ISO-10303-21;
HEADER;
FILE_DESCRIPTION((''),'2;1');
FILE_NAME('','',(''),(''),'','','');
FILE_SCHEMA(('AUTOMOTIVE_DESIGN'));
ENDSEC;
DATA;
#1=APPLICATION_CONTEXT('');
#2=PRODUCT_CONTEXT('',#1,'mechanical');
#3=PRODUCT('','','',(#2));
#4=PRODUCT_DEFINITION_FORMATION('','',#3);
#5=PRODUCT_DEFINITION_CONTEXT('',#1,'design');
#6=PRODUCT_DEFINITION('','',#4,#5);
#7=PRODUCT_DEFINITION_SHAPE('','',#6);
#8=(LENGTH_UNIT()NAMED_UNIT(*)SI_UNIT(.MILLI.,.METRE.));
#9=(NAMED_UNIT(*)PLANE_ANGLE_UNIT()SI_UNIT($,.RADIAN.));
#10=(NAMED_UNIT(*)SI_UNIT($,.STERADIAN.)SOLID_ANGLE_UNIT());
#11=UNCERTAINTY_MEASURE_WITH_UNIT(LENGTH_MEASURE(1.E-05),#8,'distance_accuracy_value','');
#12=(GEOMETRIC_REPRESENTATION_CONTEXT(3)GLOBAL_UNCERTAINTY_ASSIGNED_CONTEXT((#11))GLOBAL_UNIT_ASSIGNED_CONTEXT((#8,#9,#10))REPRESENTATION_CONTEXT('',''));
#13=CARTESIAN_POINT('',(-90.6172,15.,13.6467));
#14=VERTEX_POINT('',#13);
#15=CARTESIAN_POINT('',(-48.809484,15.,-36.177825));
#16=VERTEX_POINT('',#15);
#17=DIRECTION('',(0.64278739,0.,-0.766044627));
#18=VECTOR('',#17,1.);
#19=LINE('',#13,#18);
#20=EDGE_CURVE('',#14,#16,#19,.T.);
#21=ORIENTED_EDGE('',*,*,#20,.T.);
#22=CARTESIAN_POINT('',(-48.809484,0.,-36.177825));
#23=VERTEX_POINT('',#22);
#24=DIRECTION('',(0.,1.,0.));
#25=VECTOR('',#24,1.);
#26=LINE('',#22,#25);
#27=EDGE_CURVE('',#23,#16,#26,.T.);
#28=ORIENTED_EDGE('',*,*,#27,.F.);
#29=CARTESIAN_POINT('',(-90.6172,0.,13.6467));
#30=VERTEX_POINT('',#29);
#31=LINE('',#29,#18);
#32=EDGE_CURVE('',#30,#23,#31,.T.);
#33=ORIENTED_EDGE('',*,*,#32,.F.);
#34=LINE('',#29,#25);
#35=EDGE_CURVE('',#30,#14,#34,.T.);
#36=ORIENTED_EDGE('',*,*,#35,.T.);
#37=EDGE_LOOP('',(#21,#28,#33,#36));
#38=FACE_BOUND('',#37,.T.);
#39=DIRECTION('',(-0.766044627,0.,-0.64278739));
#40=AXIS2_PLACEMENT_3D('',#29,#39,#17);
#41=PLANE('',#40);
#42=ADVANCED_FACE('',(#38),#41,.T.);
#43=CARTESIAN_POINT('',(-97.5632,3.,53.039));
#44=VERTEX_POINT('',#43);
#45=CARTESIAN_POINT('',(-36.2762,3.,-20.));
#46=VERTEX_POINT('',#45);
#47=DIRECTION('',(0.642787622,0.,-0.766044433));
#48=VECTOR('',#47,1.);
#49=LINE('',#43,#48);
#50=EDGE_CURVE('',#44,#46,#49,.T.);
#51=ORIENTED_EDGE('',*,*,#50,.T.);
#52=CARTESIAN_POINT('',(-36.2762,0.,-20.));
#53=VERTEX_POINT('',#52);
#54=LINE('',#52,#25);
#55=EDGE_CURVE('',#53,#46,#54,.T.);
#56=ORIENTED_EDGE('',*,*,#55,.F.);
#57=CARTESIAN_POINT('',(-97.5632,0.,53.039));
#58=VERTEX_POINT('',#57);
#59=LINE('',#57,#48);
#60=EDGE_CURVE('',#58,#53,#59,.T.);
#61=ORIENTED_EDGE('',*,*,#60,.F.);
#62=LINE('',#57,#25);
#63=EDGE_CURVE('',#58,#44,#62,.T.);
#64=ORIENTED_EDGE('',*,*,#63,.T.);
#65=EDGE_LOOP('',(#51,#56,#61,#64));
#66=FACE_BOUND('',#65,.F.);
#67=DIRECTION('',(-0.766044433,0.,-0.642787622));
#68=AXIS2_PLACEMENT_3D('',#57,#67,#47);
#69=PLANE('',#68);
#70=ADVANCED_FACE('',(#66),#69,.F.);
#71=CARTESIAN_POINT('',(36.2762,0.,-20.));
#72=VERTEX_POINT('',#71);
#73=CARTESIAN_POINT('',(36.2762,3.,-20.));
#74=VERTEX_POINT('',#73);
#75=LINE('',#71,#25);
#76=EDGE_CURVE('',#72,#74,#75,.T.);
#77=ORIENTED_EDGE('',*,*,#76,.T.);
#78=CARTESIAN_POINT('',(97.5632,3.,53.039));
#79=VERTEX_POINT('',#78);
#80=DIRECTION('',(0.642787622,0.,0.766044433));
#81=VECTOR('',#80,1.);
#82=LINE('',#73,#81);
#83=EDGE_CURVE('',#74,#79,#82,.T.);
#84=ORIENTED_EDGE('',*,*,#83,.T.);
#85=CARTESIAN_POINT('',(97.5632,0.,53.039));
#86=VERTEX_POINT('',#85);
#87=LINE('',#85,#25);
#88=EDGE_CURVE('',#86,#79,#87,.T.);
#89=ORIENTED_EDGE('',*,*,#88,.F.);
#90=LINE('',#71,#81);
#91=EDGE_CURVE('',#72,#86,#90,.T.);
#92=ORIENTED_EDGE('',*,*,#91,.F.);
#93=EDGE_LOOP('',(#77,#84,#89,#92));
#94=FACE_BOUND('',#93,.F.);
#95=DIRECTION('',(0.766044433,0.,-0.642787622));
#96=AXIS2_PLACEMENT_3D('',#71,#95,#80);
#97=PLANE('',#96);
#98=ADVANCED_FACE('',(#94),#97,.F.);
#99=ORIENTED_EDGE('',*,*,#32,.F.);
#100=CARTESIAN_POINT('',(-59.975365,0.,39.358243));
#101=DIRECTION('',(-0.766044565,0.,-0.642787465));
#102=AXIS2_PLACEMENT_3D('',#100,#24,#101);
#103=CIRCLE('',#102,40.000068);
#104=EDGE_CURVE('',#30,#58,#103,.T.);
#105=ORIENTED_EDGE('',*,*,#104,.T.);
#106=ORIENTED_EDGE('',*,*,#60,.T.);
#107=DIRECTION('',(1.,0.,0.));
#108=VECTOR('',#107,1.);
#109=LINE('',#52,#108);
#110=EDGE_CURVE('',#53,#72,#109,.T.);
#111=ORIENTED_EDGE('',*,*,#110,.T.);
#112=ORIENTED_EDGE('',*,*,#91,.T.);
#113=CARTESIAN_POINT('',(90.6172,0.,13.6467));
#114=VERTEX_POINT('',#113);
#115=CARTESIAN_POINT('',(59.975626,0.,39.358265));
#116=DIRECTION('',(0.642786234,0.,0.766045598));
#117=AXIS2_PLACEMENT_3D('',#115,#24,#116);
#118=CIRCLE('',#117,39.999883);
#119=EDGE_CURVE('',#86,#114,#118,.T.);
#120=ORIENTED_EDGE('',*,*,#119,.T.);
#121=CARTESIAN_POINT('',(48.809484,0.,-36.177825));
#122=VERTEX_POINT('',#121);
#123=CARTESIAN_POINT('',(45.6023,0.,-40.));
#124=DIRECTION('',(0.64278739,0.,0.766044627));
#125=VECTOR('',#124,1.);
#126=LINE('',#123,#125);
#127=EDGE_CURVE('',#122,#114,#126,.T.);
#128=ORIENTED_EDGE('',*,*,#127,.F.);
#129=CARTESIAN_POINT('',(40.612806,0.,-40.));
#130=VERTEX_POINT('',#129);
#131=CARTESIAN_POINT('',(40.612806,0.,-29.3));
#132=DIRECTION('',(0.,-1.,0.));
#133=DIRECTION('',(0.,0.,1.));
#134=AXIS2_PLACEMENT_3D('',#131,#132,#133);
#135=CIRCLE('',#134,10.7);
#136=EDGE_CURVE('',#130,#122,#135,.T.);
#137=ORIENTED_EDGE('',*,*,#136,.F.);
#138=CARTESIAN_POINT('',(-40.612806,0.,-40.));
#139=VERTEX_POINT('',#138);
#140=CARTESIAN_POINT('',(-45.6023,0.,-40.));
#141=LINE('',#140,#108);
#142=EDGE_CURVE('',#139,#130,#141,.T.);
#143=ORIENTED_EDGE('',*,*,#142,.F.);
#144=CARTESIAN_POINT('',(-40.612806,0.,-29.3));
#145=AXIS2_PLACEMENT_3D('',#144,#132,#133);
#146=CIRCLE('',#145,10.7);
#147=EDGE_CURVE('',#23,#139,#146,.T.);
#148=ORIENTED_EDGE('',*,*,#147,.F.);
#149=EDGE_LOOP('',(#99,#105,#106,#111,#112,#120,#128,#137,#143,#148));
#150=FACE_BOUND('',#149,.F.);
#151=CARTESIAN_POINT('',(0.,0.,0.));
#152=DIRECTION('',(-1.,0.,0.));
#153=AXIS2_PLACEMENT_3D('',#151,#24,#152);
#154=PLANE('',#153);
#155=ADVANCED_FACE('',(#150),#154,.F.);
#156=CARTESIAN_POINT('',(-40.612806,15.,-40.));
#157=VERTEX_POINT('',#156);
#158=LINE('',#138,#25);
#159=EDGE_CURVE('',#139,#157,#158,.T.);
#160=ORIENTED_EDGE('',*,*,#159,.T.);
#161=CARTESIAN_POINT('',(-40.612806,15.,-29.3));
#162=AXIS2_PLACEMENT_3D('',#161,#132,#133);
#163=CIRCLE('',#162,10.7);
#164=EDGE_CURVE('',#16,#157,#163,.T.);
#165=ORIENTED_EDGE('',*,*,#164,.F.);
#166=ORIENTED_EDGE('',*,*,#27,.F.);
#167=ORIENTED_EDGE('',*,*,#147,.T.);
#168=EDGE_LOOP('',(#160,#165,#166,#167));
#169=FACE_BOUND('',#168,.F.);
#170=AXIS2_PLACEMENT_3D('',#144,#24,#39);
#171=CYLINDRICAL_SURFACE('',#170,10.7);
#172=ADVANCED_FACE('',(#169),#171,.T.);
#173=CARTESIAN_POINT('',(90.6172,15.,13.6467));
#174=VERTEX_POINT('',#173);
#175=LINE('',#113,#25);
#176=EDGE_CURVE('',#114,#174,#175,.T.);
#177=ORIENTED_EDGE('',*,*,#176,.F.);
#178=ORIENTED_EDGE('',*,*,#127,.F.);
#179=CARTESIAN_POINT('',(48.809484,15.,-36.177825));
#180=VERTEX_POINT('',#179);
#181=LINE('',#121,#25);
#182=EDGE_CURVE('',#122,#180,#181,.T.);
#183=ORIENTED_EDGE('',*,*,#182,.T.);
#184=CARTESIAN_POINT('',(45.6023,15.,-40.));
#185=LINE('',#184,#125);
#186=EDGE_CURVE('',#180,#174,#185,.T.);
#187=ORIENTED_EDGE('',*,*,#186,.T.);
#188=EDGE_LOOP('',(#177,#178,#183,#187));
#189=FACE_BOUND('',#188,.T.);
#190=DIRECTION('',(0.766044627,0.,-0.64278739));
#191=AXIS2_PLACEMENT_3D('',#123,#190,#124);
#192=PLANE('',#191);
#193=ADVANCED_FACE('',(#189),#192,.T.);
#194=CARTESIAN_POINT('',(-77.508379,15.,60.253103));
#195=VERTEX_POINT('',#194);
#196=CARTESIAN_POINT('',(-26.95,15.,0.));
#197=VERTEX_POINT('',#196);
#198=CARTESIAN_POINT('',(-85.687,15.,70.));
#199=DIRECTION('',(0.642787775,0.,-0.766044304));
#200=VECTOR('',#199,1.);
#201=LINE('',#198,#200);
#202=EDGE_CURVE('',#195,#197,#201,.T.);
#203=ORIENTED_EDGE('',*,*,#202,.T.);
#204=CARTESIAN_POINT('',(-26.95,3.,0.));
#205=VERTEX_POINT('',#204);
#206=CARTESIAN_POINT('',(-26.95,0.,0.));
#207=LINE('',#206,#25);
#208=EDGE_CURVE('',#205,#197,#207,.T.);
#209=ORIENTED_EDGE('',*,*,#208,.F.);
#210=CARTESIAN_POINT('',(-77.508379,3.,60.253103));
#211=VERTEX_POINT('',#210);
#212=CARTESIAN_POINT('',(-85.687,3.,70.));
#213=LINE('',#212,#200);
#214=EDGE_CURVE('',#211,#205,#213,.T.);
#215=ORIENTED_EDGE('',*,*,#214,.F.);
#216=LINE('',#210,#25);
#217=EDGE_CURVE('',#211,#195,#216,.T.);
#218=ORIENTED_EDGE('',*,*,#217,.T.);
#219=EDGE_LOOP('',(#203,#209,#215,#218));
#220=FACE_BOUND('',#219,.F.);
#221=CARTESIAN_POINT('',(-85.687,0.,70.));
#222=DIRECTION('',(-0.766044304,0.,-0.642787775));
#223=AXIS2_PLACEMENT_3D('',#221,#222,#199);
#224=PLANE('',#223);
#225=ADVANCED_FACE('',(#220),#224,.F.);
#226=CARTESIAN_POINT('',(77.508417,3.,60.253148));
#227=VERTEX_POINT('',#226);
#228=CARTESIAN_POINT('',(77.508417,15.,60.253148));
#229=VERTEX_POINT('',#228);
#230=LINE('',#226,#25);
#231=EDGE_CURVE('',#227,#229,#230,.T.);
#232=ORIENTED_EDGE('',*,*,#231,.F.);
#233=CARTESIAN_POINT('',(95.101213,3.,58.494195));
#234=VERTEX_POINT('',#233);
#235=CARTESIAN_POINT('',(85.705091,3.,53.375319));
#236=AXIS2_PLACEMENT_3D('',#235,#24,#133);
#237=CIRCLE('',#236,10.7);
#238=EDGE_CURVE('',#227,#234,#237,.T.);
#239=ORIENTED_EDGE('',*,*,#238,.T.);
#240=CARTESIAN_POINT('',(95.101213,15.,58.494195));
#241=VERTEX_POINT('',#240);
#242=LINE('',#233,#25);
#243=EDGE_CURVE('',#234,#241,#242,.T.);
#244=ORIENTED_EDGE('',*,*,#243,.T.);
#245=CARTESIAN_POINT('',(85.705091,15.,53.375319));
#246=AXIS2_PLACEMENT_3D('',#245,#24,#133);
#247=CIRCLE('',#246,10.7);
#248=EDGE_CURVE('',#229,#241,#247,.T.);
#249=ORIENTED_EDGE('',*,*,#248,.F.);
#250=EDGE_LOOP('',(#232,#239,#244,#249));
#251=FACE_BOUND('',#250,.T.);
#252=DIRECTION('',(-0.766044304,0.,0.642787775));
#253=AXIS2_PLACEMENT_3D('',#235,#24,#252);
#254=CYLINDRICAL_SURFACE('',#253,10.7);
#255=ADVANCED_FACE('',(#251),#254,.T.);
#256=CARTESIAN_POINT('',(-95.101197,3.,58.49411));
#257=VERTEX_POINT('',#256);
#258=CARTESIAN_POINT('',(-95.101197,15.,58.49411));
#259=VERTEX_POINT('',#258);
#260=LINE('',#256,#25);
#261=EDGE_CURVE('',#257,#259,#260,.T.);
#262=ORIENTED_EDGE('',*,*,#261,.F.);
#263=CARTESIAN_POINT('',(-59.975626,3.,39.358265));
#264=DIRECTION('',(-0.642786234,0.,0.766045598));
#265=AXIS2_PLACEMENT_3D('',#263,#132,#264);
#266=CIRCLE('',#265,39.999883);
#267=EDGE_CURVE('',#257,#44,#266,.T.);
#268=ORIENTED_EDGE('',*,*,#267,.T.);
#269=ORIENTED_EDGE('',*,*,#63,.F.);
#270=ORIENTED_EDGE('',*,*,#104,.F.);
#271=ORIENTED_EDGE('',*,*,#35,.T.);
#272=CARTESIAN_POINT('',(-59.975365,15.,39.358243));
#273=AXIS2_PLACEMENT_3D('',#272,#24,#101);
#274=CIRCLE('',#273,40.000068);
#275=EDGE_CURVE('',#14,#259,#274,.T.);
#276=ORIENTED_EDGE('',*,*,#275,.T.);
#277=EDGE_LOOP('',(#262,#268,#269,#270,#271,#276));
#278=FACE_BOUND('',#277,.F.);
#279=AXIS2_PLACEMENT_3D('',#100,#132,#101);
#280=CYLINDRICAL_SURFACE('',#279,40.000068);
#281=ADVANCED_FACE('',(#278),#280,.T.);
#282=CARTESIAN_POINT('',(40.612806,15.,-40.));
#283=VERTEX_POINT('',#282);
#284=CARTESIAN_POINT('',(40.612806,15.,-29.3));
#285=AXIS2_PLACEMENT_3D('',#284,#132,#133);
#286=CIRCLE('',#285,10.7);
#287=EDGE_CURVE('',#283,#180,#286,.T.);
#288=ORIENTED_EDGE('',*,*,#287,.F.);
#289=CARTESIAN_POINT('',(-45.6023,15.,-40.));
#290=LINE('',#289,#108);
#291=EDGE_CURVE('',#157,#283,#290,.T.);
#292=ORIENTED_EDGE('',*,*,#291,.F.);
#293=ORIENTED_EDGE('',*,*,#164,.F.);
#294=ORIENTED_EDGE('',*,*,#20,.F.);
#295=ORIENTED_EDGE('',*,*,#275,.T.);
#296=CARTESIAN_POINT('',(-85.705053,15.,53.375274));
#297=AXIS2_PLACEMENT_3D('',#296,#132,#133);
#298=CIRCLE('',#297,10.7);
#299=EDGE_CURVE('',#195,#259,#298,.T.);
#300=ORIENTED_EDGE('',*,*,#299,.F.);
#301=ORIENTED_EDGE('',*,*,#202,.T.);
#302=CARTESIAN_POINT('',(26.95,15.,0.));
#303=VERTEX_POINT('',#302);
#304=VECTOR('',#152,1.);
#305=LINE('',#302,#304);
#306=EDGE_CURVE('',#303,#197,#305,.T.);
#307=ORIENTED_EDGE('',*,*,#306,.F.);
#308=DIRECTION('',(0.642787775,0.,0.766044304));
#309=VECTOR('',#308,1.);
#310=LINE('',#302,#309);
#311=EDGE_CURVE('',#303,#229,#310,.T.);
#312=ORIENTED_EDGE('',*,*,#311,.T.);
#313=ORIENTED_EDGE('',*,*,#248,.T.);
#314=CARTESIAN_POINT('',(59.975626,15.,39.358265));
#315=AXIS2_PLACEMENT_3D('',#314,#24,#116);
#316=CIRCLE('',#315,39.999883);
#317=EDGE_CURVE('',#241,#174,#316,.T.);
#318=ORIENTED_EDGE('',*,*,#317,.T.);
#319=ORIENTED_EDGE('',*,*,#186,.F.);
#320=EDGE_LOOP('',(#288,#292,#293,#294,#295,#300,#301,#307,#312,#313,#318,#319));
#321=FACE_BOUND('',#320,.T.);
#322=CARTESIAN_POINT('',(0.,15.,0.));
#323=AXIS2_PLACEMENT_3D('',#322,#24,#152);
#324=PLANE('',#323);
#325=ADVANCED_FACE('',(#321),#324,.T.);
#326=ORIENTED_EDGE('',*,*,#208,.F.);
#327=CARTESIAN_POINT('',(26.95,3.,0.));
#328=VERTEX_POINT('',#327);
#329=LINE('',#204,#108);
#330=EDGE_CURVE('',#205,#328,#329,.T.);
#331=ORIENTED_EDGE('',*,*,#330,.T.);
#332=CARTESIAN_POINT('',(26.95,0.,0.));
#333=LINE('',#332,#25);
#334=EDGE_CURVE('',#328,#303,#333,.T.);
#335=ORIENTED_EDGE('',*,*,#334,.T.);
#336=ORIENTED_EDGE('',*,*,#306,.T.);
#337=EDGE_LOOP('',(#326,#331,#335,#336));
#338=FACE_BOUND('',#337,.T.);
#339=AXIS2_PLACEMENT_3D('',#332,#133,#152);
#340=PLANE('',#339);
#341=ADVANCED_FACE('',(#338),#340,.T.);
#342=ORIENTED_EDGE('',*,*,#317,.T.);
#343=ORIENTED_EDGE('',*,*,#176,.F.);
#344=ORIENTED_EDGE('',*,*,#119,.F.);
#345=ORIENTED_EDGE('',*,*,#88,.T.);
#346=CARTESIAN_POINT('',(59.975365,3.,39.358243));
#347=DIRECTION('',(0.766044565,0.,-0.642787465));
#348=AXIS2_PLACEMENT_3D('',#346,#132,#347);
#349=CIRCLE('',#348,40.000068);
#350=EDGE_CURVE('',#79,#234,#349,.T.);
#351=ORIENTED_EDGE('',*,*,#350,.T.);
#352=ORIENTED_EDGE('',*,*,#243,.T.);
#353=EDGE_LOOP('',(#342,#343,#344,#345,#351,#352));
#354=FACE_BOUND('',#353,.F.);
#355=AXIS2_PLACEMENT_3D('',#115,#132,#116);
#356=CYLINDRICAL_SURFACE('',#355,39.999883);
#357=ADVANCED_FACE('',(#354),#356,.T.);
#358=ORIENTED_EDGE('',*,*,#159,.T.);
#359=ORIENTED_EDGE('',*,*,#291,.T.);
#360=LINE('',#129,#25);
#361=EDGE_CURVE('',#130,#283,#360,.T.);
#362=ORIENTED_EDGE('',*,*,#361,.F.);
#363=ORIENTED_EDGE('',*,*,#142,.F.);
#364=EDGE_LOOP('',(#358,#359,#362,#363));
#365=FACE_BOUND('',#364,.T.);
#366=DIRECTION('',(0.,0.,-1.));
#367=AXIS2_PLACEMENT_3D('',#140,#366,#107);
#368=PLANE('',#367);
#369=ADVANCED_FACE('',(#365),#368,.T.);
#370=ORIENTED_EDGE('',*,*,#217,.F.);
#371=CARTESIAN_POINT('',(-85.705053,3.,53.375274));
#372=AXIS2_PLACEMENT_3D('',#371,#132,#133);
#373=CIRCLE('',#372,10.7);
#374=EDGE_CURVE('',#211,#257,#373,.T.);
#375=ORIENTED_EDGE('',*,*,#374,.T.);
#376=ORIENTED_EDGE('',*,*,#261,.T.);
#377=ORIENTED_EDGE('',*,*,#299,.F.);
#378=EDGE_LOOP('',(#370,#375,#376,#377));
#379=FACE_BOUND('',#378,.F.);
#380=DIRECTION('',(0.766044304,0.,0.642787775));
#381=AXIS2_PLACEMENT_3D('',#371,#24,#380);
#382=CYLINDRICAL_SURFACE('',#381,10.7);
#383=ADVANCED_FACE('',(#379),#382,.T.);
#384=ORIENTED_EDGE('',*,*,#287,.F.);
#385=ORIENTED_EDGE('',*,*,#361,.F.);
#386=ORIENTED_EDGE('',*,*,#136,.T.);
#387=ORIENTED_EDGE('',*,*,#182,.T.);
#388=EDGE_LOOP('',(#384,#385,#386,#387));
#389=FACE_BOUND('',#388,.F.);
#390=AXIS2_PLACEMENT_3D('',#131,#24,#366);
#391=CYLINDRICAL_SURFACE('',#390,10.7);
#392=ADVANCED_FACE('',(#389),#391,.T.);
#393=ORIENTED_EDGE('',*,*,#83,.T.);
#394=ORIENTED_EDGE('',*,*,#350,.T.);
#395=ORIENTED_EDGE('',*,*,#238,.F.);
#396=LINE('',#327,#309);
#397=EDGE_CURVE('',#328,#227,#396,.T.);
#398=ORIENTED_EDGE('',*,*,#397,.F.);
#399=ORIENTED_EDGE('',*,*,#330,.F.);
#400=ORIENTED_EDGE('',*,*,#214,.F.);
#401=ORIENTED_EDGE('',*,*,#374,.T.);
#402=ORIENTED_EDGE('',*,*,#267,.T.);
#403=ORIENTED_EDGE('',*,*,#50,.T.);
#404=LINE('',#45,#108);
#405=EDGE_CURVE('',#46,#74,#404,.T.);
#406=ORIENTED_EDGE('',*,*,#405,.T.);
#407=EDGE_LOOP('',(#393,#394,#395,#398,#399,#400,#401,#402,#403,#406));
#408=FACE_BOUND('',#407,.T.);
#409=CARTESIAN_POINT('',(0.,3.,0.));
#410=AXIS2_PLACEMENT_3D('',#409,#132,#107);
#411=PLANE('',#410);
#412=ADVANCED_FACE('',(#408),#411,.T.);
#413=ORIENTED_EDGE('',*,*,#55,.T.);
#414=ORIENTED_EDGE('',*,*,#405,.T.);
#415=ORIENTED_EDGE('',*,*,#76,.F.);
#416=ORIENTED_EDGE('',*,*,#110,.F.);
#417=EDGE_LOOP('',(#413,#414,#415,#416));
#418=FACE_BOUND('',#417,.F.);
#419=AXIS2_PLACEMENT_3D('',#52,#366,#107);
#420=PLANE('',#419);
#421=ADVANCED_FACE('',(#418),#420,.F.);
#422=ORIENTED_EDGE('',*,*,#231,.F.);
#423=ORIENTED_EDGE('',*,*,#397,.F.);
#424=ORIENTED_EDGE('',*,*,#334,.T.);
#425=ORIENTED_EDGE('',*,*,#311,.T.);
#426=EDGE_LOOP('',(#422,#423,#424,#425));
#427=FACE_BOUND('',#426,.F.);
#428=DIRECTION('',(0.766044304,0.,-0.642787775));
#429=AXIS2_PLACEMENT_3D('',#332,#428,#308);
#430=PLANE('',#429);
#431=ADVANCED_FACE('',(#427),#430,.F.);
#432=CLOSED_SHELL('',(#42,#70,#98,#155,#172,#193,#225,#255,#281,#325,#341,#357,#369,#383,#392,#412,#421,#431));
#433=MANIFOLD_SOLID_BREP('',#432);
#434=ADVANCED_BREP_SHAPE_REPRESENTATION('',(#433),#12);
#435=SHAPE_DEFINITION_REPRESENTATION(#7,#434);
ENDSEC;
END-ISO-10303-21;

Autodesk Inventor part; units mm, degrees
ref_plane "YZ Plane" through (0, 0, 0) normal (1, 0, 0) x (0, 1, 0)
ref_plane "XZ Plane" through (0, 0, 0) normal (0, 1, 0) x (-1, 0, 0)
ref_plane "XY Plane" through (0, 0, 0) normal (0, 0, 1) x (1, 0, 0)
sketch "Sketch1" plane through (0, 0, 0) normal (0, 1, 0) x (-1, 0, 0)
  line L0 (-26.95, 0) -> (26.95, 0)
  line L1 (-26.95, 0) -> (-85.687, 70)
  line L2 (85.687, 70) -> (26.95, 0)
  line L3 (90.6172, 13.6467) -> (45.6023, -40)
  line L4 (45.6023, -40) -> (-45.6023, -40)
  line L5 (-45.6023, -40) -> (-90.6172, 13.6467)
  line L6 (0, 0) -> (0, -40) construction
  arc A0 (90.6172, 13.6467) -> (85.687, 70) centre (59.9755, 39.3582) ccw
  arc A1 (-85.687, 70) -> (-90.6172, 13.6467) centre (-59.9755, 39.3582) ccw
  point P0 (0, 70)
  dimension "d1" = 53.9
  dimension "d3" = 40
  dimension "d5" = 40
  dimension "d16" = 130
  dimension "d17" = 70
extrude "Extrusion1" add sketch "Sketch1" along normal blind 15
sketch "Sketch2" plane through (0, 0, 0) normal (0, -1, 0) x (1, 0, 0)
  line L0 (-26.95, 0) -> (26.95, 0) projected
  line L1 (-85.687, 70) -> (-26.95, 0) projected
  line L2 (-45.6023, -40) -> (-90.6172, 13.6467) construction
  line L3 (45.6023, -40) -> (-45.6023, -40) construction
  line L4 (90.6172, 13.6467) -> (45.6023, -40) construction
  line L5 (26.95, 0) -> (85.687, 70) projected
  line L6 (-97.5632, 53.039) -> (-36.2762, -20)
  line L7 (-36.2762, -20) -> (36.2762, -20)
  line L8 (36.2762, -20) -> (97.5632, 53.039)
  line L9 (-85.687, 70) -> (-26.95, 0) projected
  line L10 (26.95, 0) -> (85.687, 70) projected
  arc A0 (-85.687, 70) -> (-90.6172, 13.6467) centre (-59.9755, 39.3582) ccw projected
  arc A1 (90.6172, 13.6467) -> (85.687, 70) centre (59.9755, 39.3582) ccw projected
  point P0 (0, 0)
  dimension "d8" = 20
  dimension "d9" = 20
  dimension "d10" = 20
extrude "Extrusion2" cut sketch "Sketch2" against normal blind 3
fillet "Fillet1" radius 10.7 4 edges at (-85.687, 9, 70) (85.687, 9, 70) (-45.6023, 7.5, -40) (45.6023, 7.5, -40)
equation "\"d5\" = d3"
equation "\"d16\" = Лоток_угол"
equation "\"d9\" = d8"
equation "\"d10\" = d8"
equation "\"BendRadius\" = Thickness"
equation "\"BendReliefWidth\" = Thickness"
equation "\"BendReliefDepth\" = 0.5 * Thickness"
equation "\"TransitionRadius\" = BendRadius"
equation "\"JacobiRadiusSize\" = BendRadius"
equation "\"GapSize\" = Thickness"
equation "\"Лоток_угол\" = 130deg"
equation "\"Thickness\" = 15"
properties part number "ДМФ 033 держатель лотка"
